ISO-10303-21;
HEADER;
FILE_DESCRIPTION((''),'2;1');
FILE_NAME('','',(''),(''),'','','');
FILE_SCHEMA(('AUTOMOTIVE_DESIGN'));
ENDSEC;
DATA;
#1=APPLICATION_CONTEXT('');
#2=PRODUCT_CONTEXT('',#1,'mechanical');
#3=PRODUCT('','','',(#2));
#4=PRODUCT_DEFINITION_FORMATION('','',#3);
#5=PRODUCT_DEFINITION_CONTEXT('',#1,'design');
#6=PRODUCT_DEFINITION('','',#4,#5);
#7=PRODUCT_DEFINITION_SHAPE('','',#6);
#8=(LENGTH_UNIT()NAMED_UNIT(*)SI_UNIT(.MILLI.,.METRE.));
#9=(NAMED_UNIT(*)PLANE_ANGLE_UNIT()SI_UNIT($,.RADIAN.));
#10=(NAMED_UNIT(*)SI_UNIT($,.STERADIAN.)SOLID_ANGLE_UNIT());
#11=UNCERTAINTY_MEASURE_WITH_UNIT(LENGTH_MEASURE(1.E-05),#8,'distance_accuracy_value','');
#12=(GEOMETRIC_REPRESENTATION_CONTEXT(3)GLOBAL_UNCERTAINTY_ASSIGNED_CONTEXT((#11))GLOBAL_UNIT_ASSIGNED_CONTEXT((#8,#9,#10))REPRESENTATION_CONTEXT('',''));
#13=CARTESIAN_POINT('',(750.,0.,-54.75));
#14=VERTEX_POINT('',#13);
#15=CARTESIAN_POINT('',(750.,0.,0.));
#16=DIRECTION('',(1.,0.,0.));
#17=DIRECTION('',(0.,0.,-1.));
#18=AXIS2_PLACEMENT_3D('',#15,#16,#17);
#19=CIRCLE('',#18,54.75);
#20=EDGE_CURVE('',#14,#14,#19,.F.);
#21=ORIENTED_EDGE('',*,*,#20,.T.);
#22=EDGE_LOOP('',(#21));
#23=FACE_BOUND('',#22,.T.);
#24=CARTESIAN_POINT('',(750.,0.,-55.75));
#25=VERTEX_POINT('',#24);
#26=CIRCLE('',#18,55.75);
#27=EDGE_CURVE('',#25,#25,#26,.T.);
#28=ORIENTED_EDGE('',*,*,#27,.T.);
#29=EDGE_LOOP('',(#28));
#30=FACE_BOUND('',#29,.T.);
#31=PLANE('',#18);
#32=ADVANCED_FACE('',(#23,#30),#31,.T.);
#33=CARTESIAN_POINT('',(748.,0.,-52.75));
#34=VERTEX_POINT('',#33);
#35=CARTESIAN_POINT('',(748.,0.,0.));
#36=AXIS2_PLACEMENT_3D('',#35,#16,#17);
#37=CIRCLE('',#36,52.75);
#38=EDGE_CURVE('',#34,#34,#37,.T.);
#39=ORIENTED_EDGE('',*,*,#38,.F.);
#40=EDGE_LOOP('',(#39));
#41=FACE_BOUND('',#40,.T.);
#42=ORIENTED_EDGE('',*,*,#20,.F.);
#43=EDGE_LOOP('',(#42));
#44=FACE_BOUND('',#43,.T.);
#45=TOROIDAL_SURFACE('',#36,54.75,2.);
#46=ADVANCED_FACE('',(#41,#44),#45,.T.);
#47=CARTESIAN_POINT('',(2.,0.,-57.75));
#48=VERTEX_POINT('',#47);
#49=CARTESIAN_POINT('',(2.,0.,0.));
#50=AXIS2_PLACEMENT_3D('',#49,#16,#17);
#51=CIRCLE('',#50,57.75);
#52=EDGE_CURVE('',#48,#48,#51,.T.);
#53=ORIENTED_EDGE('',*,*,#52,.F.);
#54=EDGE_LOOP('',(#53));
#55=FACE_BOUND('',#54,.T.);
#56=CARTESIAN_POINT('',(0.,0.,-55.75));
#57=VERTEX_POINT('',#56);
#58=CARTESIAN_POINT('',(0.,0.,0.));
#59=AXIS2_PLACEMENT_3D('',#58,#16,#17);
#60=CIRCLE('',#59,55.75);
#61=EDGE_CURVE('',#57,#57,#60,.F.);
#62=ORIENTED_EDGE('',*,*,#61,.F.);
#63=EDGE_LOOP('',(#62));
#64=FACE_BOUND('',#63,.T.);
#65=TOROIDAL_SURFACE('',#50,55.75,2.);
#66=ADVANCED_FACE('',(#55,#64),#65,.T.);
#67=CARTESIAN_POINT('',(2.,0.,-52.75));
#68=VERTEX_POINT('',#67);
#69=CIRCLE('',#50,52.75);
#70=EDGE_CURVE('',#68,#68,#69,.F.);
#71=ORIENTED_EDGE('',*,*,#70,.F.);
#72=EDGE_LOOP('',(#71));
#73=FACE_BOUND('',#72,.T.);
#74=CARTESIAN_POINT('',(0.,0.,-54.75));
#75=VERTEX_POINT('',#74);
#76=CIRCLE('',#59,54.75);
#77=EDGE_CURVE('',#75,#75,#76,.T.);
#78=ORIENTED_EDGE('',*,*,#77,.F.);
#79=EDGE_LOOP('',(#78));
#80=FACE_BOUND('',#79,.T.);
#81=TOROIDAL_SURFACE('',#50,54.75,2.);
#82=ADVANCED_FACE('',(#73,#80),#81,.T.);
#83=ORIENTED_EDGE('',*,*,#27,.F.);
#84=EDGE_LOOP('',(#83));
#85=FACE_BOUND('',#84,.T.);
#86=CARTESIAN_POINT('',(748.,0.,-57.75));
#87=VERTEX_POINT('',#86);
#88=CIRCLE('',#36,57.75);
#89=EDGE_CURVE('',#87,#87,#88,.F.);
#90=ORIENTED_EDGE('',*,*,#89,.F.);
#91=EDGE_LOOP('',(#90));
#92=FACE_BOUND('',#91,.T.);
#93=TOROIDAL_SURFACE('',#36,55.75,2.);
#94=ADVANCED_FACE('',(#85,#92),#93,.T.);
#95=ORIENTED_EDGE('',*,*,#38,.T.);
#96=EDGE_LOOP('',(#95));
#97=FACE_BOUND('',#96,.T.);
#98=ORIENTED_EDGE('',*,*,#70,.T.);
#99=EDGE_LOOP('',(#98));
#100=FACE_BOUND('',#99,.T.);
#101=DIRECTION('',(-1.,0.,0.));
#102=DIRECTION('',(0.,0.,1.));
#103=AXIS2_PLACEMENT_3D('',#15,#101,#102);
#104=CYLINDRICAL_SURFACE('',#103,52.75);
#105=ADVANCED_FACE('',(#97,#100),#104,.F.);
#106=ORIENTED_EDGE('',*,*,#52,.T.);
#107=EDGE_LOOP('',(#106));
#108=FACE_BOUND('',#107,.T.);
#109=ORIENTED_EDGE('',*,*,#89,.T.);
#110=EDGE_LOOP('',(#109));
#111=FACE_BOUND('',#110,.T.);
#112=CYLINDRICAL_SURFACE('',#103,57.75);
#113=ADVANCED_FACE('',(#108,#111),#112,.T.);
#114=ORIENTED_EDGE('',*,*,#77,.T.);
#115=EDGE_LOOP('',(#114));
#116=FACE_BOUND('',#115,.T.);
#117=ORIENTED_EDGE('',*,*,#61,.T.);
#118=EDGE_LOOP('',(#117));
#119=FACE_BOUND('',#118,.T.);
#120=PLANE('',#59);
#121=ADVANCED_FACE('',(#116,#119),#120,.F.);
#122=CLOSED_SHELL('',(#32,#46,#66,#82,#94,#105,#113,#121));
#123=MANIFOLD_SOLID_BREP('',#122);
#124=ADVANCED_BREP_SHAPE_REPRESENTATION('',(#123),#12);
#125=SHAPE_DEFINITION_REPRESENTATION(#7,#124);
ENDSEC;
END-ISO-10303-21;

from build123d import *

# Parameters (mm, degrees)
SKETCH1_R           = 57.75
SKETCH1_R_2         = 52.75
BOSS_EXTRUDE1_DEPTH = 750
FILLET1_R           = 2
FILLET2_R           = 2


with BuildPart() as part:
    # Sketch1 → Boss-Extrude1 (new body)
    with BuildSketch(Plane(origin=(0, 0, 0), x_dir=(0, 0, -1), z_dir=(1, 0, 0))):
        Circle(SKETCH1_R)
        Circle(SKETCH1_R_2, mode=Mode.SUBTRACT)
    extrude(amount=BOSS_EXTRUDE1_DEPTH)

    # Fillet1
    fillet1_edges = [part.edges().sort_by_distance(p)[0] for p in [
        (750, 0, 57.75),
        (750, 0, 52.75),
    ]]
    fillet(fillet1_edges, radius=FILLET1_R)

    # Fillet2
    fillet2_edges = [part.edges().sort_by_distance(p)[0] for p in [
        (0, 0, 57.75),
        (0, 0, 52.75),
    ]]
    fillet(fillet2_edges, radius=FILLET2_R)


solid = part.part
